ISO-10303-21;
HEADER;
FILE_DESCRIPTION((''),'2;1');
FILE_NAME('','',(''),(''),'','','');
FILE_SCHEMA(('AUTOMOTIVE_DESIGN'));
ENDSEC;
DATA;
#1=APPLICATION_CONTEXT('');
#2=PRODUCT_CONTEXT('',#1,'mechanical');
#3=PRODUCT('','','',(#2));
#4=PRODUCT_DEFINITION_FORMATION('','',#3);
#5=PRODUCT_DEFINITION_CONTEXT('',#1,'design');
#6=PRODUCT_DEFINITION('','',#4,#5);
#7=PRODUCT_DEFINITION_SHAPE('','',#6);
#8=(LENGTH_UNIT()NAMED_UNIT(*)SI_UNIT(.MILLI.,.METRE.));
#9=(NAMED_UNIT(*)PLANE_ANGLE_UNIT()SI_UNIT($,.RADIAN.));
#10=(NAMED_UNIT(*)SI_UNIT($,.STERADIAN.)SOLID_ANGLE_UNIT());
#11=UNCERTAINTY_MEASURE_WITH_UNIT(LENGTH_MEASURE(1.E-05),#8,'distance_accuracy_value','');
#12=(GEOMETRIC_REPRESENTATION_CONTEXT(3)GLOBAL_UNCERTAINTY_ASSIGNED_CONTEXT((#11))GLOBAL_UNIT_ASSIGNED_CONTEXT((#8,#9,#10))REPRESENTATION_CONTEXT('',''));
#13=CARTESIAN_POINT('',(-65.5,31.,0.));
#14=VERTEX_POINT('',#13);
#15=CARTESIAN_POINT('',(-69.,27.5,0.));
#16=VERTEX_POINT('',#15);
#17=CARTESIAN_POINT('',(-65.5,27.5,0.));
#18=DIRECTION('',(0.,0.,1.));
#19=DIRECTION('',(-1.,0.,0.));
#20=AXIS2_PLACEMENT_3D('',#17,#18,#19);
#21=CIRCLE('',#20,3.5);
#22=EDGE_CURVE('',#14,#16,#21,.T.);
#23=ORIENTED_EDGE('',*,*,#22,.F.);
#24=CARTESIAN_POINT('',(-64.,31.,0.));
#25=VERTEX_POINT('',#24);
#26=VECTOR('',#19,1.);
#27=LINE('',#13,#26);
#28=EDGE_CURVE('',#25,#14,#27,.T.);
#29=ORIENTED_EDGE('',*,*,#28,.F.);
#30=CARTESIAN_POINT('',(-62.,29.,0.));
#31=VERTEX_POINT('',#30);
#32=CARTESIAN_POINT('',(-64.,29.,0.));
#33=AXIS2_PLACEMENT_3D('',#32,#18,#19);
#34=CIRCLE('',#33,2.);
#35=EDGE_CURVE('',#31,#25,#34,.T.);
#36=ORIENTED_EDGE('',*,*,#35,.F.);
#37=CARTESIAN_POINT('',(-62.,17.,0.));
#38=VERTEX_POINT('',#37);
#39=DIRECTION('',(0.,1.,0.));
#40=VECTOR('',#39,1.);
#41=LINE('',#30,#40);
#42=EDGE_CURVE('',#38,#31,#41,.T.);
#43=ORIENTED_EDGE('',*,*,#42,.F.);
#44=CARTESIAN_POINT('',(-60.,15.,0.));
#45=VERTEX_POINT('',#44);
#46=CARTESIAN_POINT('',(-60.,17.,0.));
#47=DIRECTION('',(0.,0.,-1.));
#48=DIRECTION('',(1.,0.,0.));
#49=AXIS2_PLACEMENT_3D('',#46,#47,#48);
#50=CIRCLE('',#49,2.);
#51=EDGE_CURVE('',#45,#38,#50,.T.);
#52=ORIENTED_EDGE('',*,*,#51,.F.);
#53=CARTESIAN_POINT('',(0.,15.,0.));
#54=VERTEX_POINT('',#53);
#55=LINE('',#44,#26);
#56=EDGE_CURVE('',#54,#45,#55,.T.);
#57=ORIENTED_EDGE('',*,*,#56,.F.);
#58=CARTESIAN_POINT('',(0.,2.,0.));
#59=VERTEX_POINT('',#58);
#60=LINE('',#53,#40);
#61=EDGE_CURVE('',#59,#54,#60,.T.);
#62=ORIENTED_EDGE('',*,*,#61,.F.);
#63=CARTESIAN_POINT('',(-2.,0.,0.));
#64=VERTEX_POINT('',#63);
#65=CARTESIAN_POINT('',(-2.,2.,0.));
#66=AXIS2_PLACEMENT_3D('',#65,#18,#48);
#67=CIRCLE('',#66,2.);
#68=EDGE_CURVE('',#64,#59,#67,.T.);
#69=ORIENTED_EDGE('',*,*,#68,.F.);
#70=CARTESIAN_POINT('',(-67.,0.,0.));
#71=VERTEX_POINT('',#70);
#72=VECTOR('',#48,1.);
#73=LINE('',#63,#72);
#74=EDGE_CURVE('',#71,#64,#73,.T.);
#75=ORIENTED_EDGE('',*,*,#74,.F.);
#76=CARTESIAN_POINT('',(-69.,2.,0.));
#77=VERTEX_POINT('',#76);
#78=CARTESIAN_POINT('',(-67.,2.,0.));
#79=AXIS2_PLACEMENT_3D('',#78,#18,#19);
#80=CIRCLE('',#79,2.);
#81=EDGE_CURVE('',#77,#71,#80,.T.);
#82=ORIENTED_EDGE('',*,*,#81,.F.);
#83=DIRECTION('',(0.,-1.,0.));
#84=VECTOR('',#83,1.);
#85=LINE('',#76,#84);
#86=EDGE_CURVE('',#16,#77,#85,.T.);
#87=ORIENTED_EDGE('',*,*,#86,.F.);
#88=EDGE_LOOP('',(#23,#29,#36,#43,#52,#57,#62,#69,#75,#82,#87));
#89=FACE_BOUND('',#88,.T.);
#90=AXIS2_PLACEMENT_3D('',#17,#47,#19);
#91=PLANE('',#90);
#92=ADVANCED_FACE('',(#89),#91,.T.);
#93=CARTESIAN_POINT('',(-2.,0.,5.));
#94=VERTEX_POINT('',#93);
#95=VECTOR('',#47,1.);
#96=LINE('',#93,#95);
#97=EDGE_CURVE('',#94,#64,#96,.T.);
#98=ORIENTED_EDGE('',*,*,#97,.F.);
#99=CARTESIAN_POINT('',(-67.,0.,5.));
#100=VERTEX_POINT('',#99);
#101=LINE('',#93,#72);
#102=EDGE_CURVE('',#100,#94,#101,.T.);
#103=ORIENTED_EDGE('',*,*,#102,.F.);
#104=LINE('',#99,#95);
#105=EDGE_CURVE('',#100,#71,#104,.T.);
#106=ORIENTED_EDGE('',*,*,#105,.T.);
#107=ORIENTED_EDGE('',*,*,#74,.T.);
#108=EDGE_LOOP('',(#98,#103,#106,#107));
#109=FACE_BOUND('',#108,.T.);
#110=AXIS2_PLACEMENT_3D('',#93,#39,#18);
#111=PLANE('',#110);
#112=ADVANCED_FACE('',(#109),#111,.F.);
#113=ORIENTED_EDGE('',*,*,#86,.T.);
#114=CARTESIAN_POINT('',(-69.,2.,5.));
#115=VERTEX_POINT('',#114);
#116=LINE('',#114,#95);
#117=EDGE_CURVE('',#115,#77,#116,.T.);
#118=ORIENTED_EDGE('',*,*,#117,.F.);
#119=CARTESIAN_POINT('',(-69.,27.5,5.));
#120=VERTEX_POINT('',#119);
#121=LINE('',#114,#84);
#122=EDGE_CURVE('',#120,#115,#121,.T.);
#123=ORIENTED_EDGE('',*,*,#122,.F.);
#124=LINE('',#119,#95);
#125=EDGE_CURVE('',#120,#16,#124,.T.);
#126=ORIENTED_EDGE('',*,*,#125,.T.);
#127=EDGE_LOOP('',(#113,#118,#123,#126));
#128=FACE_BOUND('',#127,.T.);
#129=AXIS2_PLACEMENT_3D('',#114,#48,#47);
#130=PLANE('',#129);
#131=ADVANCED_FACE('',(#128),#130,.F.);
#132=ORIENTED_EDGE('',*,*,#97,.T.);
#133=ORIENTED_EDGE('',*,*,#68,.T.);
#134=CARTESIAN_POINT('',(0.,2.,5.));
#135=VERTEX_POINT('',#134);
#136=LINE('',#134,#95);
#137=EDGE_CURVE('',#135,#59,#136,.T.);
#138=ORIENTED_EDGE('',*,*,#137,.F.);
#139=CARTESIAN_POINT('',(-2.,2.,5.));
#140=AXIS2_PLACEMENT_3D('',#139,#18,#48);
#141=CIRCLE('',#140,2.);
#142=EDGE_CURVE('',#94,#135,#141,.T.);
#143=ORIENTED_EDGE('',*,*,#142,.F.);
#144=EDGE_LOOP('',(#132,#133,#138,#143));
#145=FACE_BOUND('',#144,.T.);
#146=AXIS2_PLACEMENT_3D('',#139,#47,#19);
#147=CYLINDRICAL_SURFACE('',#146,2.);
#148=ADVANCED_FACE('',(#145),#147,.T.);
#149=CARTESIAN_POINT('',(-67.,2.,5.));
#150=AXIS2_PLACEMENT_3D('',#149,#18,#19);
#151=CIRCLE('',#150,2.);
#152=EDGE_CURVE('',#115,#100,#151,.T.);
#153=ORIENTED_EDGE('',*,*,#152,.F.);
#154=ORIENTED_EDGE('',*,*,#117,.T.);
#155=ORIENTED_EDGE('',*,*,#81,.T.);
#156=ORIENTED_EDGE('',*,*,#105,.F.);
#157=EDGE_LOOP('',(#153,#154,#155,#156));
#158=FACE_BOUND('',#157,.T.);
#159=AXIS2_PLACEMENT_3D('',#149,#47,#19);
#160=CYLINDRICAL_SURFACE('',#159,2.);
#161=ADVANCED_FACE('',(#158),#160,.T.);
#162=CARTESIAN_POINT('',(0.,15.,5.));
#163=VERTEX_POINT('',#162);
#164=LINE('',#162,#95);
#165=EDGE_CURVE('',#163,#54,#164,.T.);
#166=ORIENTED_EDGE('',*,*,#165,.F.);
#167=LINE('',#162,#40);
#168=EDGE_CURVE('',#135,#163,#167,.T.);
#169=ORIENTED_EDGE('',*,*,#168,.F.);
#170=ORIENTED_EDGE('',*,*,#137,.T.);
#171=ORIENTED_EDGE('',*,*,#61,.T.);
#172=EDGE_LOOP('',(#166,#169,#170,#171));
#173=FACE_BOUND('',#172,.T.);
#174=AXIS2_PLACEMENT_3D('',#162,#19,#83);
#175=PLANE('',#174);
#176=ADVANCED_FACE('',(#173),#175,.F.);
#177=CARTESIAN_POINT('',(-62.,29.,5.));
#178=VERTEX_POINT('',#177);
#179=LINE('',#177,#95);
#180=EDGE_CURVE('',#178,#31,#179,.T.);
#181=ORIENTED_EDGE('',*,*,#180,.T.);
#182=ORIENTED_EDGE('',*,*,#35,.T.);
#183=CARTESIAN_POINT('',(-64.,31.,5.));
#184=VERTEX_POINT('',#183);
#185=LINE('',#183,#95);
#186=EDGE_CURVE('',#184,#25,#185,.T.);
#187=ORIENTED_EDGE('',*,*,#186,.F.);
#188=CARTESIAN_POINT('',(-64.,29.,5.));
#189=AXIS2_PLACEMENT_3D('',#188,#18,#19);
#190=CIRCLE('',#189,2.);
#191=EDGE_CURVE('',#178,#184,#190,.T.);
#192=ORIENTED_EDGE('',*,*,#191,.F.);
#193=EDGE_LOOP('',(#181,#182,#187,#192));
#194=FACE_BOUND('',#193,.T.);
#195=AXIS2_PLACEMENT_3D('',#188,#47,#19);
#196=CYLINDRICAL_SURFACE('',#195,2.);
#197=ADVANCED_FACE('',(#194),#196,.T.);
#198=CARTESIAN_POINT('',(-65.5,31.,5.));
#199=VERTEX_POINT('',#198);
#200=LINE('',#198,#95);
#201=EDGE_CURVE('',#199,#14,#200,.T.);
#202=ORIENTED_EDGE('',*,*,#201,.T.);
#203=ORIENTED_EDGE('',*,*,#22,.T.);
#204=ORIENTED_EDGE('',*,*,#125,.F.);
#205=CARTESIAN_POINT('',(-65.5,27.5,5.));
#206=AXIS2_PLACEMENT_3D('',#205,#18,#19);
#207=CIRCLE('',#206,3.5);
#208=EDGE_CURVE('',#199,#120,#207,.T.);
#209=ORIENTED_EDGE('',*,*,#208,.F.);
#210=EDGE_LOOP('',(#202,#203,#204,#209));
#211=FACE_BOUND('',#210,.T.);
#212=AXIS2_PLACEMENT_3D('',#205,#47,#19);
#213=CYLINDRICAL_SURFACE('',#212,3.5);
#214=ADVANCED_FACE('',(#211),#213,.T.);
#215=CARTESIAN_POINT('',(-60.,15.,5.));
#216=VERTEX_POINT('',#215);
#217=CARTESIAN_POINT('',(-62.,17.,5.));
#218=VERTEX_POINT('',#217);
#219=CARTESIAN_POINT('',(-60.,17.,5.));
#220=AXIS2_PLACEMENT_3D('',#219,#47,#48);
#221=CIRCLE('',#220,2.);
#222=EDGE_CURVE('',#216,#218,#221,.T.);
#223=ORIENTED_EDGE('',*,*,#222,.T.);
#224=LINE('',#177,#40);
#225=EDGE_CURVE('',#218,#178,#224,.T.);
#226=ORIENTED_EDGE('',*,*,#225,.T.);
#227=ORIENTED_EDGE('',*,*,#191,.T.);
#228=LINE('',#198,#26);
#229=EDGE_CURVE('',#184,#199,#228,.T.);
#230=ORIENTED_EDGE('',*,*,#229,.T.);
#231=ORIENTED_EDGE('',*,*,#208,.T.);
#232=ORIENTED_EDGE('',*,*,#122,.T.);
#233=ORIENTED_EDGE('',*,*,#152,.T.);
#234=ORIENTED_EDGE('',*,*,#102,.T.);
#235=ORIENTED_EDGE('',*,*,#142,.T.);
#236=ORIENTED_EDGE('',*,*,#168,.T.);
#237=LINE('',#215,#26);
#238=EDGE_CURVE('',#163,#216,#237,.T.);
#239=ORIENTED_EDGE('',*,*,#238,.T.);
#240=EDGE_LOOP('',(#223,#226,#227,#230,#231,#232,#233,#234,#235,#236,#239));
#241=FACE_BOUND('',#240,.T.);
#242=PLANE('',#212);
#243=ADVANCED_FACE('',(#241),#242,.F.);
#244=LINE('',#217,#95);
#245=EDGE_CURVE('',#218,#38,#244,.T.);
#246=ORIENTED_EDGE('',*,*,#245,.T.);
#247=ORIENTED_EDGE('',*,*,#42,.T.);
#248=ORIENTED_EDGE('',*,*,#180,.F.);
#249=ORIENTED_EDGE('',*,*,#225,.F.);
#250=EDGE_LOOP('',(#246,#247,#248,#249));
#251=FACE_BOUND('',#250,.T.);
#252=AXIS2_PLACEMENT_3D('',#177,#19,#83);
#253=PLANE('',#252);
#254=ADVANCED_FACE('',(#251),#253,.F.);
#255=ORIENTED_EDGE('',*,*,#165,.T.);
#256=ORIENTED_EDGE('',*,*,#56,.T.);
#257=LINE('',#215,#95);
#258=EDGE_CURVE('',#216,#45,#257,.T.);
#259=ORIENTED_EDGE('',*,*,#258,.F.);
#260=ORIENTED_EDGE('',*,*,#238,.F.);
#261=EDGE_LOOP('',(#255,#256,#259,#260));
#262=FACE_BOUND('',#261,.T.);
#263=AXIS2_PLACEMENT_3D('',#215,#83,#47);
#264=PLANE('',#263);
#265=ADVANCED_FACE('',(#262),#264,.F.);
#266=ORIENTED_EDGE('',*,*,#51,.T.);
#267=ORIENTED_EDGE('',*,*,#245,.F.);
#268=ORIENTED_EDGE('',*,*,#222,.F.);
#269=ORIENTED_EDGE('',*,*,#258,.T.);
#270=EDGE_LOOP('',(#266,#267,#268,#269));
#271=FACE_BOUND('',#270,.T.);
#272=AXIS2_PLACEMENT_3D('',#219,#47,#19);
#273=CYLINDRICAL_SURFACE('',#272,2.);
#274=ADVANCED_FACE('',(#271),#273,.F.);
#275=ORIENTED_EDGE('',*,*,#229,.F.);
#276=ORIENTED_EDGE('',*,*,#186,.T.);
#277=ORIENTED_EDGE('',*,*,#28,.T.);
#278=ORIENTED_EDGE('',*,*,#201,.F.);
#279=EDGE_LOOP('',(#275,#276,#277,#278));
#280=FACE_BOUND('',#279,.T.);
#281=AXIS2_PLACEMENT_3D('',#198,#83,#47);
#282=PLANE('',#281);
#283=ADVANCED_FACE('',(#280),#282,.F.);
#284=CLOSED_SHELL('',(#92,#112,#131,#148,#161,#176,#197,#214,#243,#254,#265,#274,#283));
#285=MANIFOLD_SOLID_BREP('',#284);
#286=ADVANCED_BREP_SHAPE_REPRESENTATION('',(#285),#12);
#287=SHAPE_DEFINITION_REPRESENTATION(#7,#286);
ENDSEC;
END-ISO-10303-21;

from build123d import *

# Parameters (mm, degrees)
BOSS_EXTRU_1_DEPTH = 5


with BuildPart() as part:
    # Esquisse1 → Boss.-Extru.1 (new body)
    with BuildSketch(Plane.XY):
        with BuildLine():
            Line((-2, 0), (-67, 0))
            ThreePointArc((-67, 0), (-68.414213562, 0.585786438), (-69, 2))
            Line((-69, 2), (-69, 27.5))
            ThreePointArc((-69, 27.5), (-67.974873734, 29.974873734), (-65.5, 31))
            Line((-65.5, 31), (-64, 31))
            ThreePointArc((-64, 31), (-62.585786438, 30.414213562), (-62, 29))
            Line((-62, 29), (-62, 17))
            ThreePointArc((-62, 17), (-61.414213562, 15.585786438), (-60, 15))
            Line((-60, 15), (0, 15))
            Line((0, 15), (0, 2))
            ThreePointArc((0, 2), (-0.585786438, 0.585786438), (-2, 0))
        make_face()
    extrude(amount=BOSS_EXTRU_1_DEPTH)


solid = part.part
